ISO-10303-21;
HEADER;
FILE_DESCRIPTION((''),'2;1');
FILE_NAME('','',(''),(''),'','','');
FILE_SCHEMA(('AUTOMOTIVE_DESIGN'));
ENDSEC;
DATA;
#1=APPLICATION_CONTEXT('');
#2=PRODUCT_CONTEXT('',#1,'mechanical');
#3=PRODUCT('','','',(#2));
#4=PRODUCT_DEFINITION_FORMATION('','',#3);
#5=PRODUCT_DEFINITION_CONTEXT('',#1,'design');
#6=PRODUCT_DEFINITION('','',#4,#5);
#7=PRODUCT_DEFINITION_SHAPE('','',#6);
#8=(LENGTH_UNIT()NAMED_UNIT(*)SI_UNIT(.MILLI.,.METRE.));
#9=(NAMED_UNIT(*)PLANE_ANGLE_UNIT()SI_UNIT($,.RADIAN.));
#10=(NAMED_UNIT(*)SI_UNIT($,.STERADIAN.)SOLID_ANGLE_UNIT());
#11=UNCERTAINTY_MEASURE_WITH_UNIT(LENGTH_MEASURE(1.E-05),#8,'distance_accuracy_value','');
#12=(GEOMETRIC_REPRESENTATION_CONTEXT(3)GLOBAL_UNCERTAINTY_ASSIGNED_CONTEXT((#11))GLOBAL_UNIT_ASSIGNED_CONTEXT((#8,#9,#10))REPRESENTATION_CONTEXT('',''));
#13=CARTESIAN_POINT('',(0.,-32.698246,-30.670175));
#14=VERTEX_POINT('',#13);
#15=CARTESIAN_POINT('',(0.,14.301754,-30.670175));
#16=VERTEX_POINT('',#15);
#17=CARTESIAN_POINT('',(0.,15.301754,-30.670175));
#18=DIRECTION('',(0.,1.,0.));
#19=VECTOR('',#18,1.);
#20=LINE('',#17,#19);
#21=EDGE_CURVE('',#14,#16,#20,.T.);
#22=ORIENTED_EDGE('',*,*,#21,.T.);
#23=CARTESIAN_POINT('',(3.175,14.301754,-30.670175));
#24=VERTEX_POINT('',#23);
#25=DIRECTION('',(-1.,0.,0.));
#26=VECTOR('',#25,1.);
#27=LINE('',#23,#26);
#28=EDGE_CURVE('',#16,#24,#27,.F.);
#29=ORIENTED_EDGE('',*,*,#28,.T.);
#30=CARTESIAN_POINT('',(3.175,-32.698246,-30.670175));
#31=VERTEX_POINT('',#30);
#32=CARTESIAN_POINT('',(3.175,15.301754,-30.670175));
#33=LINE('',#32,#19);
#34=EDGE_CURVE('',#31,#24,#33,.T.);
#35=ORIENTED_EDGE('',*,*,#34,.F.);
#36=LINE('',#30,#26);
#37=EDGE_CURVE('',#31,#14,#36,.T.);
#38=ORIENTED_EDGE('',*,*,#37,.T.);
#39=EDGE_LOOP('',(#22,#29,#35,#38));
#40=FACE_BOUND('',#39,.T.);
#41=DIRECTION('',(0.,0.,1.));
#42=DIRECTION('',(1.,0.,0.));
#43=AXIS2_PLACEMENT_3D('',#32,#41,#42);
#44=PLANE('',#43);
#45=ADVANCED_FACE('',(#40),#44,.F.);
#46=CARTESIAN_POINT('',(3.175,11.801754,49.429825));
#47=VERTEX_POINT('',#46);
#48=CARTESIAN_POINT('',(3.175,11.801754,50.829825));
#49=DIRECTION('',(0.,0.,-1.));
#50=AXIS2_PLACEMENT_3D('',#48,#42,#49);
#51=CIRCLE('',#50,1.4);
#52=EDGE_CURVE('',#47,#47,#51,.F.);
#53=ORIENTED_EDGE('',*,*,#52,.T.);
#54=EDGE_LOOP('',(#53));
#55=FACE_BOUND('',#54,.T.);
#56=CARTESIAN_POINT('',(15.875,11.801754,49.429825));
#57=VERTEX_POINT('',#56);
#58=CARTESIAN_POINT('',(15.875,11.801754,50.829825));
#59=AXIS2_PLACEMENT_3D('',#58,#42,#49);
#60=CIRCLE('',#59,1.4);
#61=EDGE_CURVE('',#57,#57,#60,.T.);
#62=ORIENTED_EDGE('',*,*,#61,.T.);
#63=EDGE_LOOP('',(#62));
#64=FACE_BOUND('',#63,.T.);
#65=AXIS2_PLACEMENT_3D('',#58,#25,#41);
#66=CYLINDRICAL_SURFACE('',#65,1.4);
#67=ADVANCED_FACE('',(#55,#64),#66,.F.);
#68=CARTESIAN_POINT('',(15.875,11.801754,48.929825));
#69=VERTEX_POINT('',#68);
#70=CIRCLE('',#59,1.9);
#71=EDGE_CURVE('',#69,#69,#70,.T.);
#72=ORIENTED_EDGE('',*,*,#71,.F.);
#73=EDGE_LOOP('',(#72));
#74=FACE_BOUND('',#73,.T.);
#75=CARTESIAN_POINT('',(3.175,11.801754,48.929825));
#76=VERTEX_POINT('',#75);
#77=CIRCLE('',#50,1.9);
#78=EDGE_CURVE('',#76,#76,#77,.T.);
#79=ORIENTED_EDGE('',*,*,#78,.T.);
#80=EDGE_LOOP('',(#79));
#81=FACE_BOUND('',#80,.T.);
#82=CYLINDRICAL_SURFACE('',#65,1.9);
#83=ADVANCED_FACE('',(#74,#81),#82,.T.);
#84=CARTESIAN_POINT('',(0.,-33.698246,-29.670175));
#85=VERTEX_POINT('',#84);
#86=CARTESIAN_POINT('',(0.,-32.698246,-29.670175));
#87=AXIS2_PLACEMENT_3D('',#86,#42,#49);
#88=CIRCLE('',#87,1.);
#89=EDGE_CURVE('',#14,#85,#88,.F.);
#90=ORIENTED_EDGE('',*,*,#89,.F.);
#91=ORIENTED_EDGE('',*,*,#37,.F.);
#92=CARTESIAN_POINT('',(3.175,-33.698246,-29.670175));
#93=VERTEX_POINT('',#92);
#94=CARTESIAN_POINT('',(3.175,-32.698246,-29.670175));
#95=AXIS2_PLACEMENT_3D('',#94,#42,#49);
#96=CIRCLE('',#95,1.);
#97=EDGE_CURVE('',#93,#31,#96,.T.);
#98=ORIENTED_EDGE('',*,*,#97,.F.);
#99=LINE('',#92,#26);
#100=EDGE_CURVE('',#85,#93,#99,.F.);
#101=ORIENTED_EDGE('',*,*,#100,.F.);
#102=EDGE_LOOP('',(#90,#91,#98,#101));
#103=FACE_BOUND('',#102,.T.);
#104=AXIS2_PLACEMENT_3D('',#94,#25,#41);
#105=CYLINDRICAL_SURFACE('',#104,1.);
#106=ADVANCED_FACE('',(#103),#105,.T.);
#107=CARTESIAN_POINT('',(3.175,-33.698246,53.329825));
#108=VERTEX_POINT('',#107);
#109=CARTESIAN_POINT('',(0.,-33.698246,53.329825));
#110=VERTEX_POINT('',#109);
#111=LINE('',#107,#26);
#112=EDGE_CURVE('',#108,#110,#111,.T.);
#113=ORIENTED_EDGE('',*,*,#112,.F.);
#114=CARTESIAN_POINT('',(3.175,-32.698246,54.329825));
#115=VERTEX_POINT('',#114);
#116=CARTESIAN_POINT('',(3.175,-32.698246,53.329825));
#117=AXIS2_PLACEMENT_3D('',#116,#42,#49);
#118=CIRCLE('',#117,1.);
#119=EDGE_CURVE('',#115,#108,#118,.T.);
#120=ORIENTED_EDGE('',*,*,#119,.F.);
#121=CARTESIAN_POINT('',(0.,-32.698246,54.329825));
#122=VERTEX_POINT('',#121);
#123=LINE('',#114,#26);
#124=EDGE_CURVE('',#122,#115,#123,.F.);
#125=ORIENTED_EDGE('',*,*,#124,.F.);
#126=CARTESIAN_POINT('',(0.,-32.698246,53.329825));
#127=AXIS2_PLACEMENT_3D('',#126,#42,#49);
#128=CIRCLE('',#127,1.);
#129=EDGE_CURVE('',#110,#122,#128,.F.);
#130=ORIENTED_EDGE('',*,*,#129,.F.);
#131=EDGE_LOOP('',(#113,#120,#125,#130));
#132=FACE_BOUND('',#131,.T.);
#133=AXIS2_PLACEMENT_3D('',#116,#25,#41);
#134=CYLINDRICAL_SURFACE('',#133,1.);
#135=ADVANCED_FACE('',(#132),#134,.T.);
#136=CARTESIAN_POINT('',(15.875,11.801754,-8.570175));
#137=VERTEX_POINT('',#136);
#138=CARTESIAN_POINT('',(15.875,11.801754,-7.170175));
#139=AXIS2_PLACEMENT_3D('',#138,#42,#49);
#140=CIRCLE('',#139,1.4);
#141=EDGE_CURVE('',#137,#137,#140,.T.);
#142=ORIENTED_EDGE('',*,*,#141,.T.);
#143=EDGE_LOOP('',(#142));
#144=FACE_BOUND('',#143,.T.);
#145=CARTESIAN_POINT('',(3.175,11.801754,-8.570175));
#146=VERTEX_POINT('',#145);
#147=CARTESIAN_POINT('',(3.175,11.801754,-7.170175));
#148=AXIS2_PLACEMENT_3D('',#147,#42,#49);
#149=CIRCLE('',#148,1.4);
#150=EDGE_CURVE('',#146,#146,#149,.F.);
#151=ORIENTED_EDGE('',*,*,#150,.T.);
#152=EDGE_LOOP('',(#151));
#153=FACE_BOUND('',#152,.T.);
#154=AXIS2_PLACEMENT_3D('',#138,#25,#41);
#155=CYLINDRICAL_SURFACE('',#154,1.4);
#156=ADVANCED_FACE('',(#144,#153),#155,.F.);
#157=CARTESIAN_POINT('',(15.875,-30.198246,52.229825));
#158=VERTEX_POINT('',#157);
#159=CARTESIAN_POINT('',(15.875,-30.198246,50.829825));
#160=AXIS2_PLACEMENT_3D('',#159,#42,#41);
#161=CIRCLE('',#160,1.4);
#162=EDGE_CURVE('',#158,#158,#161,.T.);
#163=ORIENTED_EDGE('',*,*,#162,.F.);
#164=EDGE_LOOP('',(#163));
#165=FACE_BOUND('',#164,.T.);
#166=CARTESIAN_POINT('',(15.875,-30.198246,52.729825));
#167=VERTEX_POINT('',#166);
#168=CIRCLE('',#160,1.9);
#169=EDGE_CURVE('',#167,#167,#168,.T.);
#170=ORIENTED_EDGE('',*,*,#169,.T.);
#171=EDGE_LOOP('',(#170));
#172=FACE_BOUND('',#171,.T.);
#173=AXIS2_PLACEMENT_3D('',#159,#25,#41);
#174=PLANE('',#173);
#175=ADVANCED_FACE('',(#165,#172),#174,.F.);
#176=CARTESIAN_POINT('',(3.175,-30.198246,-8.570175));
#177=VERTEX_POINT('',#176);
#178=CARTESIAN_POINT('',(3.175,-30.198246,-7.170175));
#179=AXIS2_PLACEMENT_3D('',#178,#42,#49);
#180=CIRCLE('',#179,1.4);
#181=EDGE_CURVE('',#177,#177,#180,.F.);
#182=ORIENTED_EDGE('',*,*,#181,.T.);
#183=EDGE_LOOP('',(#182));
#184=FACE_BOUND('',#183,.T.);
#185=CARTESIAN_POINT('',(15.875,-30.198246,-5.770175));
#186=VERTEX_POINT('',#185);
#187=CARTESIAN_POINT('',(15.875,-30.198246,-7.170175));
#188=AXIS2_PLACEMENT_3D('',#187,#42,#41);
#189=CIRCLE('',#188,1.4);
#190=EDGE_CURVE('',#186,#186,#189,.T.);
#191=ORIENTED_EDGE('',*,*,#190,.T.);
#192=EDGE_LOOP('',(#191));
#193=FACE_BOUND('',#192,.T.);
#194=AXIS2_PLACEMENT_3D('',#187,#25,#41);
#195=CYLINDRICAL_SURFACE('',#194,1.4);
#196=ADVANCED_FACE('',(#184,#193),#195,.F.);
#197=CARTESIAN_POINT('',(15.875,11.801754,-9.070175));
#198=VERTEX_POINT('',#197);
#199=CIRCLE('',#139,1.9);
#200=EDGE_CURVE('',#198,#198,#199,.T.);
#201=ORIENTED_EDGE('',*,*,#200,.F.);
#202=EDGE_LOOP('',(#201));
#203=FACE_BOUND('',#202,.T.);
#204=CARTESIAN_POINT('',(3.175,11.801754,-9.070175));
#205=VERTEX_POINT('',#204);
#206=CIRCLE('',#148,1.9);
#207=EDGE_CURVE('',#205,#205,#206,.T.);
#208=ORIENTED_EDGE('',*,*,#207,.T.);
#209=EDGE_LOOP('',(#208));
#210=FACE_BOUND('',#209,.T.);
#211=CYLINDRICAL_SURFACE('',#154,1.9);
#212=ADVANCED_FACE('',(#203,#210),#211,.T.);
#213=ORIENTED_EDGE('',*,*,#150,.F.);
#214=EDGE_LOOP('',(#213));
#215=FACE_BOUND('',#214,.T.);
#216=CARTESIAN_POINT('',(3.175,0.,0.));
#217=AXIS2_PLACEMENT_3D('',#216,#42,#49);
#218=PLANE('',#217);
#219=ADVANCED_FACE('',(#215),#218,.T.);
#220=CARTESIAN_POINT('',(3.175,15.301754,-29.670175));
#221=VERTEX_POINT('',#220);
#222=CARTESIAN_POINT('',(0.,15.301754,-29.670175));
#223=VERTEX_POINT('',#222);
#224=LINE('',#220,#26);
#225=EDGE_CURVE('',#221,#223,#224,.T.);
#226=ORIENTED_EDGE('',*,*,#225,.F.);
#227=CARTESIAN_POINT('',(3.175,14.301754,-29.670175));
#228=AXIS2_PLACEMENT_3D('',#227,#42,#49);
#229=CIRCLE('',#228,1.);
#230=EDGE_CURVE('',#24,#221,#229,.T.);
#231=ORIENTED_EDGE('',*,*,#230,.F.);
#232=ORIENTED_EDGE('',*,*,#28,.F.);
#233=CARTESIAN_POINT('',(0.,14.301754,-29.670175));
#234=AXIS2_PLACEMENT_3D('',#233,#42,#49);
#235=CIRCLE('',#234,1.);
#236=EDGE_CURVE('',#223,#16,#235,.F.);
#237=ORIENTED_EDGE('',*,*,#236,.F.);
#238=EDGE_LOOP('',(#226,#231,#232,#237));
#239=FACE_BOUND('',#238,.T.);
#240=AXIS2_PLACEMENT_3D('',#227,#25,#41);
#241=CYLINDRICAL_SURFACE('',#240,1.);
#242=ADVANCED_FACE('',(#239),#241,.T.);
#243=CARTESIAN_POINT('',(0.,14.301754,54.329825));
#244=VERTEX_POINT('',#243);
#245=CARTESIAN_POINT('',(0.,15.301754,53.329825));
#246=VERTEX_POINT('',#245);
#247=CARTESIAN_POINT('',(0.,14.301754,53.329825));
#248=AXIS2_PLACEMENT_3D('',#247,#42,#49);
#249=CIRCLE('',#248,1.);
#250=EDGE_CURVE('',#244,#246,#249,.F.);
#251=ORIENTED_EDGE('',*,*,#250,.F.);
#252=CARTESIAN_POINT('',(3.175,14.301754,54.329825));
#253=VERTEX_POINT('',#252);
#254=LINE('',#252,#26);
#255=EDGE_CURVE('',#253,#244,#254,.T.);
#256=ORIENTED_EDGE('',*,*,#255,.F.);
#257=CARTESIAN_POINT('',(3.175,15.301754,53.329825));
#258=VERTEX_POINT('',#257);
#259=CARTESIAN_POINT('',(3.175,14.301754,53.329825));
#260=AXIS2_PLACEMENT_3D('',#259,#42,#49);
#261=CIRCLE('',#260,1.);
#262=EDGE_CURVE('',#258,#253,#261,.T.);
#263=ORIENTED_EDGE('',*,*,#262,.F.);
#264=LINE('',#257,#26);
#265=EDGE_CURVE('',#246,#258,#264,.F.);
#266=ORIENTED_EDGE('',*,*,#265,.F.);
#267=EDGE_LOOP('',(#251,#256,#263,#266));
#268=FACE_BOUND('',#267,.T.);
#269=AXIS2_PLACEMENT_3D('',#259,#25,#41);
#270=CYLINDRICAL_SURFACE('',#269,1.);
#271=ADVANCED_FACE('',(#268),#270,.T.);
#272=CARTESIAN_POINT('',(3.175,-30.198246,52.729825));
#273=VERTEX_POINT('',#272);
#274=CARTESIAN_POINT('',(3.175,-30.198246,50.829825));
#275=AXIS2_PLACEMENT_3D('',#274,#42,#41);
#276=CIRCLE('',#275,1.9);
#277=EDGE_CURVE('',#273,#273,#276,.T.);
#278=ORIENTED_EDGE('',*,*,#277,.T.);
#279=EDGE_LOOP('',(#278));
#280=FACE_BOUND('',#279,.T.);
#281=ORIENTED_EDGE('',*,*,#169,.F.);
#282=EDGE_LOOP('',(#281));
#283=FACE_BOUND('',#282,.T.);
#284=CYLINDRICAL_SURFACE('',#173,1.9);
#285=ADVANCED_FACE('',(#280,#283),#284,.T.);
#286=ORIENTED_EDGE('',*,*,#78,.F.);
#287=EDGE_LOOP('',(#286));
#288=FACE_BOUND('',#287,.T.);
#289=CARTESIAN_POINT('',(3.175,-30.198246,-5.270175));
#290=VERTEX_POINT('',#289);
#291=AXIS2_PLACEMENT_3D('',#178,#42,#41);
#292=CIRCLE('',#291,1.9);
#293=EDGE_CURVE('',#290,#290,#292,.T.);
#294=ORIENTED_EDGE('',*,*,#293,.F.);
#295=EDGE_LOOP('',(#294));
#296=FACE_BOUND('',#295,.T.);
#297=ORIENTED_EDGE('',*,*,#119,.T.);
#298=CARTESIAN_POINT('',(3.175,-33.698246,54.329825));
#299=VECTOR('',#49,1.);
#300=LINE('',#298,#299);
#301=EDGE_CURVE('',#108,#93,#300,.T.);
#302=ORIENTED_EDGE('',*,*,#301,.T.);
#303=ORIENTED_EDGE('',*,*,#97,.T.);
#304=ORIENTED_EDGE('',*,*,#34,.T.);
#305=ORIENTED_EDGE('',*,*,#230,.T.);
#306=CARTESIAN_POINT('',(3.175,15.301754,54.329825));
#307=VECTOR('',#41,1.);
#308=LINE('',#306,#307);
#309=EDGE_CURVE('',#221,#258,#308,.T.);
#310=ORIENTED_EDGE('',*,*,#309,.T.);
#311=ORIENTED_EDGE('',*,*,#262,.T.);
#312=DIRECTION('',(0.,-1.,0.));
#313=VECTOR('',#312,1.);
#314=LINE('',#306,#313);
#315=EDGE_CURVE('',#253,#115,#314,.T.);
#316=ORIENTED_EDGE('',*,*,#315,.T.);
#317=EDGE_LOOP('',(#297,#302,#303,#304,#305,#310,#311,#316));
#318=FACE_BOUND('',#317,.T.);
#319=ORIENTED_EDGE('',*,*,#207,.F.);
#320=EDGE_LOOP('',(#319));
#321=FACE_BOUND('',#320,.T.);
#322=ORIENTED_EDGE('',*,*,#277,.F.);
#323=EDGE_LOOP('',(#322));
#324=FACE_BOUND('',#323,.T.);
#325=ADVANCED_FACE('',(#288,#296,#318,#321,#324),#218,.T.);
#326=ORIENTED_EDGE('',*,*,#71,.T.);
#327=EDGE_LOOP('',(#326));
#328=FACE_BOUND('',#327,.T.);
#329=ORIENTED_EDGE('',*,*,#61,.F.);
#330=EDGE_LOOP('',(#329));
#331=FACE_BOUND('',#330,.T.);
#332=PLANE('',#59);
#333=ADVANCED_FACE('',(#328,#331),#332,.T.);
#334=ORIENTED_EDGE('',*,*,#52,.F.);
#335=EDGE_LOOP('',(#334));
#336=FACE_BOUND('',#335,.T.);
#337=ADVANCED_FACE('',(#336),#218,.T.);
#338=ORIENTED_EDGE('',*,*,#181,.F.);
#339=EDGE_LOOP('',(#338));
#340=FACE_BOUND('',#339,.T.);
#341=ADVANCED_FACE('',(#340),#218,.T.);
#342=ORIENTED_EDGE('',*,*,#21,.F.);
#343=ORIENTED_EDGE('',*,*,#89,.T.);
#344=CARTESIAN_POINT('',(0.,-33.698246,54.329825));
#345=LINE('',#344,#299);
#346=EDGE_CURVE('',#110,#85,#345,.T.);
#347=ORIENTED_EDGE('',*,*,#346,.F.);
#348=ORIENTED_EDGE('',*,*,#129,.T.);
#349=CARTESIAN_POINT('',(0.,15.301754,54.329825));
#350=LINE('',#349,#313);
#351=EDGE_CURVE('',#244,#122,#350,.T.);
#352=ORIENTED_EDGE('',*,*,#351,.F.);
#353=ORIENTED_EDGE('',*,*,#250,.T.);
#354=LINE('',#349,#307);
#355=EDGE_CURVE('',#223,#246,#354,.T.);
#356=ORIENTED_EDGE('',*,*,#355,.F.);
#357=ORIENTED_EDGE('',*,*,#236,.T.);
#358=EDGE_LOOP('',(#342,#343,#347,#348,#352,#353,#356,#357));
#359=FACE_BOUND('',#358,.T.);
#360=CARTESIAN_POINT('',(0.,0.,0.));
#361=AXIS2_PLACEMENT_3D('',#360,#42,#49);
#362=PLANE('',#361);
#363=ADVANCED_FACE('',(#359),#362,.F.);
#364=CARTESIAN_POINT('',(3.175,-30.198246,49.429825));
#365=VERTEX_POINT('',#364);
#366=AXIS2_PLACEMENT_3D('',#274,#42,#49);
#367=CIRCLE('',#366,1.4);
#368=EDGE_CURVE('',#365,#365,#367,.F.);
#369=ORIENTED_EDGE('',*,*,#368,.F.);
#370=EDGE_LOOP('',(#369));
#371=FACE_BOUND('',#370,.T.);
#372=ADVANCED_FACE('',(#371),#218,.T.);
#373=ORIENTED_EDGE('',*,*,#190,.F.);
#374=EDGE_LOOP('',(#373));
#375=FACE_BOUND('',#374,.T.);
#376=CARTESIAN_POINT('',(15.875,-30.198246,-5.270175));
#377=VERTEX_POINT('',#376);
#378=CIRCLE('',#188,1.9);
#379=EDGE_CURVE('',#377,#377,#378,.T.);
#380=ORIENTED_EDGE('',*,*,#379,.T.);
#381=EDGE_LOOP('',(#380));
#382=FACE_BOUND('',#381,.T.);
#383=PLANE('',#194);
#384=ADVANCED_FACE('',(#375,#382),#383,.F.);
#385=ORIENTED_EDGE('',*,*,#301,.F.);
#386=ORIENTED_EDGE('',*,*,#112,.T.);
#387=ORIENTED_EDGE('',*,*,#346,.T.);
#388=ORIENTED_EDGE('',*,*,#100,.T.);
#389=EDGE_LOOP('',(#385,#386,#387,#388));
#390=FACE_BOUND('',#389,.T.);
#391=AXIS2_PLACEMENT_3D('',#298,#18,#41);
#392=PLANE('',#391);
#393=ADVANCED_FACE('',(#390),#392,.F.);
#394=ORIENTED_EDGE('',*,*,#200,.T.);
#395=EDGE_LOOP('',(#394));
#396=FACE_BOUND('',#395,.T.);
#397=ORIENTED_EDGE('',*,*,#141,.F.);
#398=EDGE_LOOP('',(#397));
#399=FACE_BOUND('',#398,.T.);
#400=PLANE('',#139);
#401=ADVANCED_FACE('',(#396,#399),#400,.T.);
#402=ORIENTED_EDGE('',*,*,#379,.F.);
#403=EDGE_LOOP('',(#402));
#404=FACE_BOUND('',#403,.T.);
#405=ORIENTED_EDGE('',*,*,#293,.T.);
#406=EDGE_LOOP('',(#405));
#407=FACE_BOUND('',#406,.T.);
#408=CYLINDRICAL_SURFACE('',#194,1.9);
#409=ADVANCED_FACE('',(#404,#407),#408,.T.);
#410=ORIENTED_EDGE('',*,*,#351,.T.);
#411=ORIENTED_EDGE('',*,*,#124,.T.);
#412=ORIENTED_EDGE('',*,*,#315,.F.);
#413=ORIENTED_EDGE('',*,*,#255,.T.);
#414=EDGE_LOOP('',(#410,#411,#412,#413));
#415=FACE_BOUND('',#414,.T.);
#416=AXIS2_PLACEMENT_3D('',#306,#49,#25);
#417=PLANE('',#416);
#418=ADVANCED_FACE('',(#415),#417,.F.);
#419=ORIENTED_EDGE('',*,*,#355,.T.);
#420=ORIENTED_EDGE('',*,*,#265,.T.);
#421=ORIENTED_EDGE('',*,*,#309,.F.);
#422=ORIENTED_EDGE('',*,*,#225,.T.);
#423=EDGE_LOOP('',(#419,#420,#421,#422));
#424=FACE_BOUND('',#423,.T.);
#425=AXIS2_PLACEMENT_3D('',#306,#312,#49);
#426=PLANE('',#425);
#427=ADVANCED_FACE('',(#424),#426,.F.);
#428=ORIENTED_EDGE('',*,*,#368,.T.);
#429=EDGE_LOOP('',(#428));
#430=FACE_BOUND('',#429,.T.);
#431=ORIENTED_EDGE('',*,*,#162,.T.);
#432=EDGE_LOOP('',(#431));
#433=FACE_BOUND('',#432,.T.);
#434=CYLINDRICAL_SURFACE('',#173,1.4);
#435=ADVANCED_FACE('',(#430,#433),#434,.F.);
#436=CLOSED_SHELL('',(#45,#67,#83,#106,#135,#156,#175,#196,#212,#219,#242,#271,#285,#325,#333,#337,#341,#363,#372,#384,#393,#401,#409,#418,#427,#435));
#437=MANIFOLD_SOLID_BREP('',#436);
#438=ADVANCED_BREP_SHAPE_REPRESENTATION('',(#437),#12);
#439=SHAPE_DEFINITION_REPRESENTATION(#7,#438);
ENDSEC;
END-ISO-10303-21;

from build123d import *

# Parameters (mm, degrees)
SKETCH1_W           = 85
SKETCH1_H           = 49
BOSS_EXTRUDE1_DEPTH = 3.175
SKETCH2_R           = 1.9
SKETCH2_R_2         = 1.4
BOSS_EXTRUDE2_DEPTH = 12.7
FILLET1_R           = 1


with BuildPart() as part:
    # Sketch1 → Boss-Extrude1 (new body)
    with BuildSketch(Plane(origin=(0, 0, 0), x_dir=(0, 0, -1), z_dir=(1, 0, 0))):
        with Locations((-11.829824561, -9.198245614)):
            Rectangle(SKETCH1_W, SKETCH1_H)
    extrude(amount=BOSS_EXTRUDE1_DEPTH)

    # Sketch2 → Boss-Extrude2 (add)
    with BuildSketch(Plane(origin=(3.175, 0, 0), x_dir=(0, 0, -1), z_dir=(1, 0, 0))):
        with Locations((-50.829824561, 11.801754386)):
            Circle(SKETCH2_R)
        with Locations((-50.829824561, 11.801754386)):
            Circle(SKETCH2_R_2, mode=Mode.SUBTRACT)
        with Locations((7.170175439, 11.801754386)):
            Circle(SKETCH2_R)
        with Locations((7.170175439, 11.801754386)):
            Circle(SKETCH2_R_2, mode=Mode.SUBTRACT)
        with Locations((7.170175439, -30.198245614)):
            Circle(SKETCH2_R)
        with Locations((7.170175439, -30.198245614)):
            Circle(SKETCH2_R_2, mode=Mode.SUBTRACT)
        with Locations((-50.829824561, -30.198245614)):
            Circle(SKETCH2_R)
        with Locations((-50.829824561, -30.198245614)):
            Circle(SKETCH2_R_2, mode=Mode.SUBTRACT)
    extrude(amount=BOSS_EXTRUDE2_DEPTH)

    # Fillet1
    fillet1_edges = [part.edges().sort_by_distance(p)[0] for p in [
        (1.5875, 15.301754386, 54.329824561),
        (1.5875, 15.301754386, -30.670175439),
        (1.5875, -33.698245614, -30.670175439),
        (1.5875, -33.698245614, 54.329824561),
    ]]
    fillet(fillet1_edges, radius=FILLET1_R)


solid = part.part
